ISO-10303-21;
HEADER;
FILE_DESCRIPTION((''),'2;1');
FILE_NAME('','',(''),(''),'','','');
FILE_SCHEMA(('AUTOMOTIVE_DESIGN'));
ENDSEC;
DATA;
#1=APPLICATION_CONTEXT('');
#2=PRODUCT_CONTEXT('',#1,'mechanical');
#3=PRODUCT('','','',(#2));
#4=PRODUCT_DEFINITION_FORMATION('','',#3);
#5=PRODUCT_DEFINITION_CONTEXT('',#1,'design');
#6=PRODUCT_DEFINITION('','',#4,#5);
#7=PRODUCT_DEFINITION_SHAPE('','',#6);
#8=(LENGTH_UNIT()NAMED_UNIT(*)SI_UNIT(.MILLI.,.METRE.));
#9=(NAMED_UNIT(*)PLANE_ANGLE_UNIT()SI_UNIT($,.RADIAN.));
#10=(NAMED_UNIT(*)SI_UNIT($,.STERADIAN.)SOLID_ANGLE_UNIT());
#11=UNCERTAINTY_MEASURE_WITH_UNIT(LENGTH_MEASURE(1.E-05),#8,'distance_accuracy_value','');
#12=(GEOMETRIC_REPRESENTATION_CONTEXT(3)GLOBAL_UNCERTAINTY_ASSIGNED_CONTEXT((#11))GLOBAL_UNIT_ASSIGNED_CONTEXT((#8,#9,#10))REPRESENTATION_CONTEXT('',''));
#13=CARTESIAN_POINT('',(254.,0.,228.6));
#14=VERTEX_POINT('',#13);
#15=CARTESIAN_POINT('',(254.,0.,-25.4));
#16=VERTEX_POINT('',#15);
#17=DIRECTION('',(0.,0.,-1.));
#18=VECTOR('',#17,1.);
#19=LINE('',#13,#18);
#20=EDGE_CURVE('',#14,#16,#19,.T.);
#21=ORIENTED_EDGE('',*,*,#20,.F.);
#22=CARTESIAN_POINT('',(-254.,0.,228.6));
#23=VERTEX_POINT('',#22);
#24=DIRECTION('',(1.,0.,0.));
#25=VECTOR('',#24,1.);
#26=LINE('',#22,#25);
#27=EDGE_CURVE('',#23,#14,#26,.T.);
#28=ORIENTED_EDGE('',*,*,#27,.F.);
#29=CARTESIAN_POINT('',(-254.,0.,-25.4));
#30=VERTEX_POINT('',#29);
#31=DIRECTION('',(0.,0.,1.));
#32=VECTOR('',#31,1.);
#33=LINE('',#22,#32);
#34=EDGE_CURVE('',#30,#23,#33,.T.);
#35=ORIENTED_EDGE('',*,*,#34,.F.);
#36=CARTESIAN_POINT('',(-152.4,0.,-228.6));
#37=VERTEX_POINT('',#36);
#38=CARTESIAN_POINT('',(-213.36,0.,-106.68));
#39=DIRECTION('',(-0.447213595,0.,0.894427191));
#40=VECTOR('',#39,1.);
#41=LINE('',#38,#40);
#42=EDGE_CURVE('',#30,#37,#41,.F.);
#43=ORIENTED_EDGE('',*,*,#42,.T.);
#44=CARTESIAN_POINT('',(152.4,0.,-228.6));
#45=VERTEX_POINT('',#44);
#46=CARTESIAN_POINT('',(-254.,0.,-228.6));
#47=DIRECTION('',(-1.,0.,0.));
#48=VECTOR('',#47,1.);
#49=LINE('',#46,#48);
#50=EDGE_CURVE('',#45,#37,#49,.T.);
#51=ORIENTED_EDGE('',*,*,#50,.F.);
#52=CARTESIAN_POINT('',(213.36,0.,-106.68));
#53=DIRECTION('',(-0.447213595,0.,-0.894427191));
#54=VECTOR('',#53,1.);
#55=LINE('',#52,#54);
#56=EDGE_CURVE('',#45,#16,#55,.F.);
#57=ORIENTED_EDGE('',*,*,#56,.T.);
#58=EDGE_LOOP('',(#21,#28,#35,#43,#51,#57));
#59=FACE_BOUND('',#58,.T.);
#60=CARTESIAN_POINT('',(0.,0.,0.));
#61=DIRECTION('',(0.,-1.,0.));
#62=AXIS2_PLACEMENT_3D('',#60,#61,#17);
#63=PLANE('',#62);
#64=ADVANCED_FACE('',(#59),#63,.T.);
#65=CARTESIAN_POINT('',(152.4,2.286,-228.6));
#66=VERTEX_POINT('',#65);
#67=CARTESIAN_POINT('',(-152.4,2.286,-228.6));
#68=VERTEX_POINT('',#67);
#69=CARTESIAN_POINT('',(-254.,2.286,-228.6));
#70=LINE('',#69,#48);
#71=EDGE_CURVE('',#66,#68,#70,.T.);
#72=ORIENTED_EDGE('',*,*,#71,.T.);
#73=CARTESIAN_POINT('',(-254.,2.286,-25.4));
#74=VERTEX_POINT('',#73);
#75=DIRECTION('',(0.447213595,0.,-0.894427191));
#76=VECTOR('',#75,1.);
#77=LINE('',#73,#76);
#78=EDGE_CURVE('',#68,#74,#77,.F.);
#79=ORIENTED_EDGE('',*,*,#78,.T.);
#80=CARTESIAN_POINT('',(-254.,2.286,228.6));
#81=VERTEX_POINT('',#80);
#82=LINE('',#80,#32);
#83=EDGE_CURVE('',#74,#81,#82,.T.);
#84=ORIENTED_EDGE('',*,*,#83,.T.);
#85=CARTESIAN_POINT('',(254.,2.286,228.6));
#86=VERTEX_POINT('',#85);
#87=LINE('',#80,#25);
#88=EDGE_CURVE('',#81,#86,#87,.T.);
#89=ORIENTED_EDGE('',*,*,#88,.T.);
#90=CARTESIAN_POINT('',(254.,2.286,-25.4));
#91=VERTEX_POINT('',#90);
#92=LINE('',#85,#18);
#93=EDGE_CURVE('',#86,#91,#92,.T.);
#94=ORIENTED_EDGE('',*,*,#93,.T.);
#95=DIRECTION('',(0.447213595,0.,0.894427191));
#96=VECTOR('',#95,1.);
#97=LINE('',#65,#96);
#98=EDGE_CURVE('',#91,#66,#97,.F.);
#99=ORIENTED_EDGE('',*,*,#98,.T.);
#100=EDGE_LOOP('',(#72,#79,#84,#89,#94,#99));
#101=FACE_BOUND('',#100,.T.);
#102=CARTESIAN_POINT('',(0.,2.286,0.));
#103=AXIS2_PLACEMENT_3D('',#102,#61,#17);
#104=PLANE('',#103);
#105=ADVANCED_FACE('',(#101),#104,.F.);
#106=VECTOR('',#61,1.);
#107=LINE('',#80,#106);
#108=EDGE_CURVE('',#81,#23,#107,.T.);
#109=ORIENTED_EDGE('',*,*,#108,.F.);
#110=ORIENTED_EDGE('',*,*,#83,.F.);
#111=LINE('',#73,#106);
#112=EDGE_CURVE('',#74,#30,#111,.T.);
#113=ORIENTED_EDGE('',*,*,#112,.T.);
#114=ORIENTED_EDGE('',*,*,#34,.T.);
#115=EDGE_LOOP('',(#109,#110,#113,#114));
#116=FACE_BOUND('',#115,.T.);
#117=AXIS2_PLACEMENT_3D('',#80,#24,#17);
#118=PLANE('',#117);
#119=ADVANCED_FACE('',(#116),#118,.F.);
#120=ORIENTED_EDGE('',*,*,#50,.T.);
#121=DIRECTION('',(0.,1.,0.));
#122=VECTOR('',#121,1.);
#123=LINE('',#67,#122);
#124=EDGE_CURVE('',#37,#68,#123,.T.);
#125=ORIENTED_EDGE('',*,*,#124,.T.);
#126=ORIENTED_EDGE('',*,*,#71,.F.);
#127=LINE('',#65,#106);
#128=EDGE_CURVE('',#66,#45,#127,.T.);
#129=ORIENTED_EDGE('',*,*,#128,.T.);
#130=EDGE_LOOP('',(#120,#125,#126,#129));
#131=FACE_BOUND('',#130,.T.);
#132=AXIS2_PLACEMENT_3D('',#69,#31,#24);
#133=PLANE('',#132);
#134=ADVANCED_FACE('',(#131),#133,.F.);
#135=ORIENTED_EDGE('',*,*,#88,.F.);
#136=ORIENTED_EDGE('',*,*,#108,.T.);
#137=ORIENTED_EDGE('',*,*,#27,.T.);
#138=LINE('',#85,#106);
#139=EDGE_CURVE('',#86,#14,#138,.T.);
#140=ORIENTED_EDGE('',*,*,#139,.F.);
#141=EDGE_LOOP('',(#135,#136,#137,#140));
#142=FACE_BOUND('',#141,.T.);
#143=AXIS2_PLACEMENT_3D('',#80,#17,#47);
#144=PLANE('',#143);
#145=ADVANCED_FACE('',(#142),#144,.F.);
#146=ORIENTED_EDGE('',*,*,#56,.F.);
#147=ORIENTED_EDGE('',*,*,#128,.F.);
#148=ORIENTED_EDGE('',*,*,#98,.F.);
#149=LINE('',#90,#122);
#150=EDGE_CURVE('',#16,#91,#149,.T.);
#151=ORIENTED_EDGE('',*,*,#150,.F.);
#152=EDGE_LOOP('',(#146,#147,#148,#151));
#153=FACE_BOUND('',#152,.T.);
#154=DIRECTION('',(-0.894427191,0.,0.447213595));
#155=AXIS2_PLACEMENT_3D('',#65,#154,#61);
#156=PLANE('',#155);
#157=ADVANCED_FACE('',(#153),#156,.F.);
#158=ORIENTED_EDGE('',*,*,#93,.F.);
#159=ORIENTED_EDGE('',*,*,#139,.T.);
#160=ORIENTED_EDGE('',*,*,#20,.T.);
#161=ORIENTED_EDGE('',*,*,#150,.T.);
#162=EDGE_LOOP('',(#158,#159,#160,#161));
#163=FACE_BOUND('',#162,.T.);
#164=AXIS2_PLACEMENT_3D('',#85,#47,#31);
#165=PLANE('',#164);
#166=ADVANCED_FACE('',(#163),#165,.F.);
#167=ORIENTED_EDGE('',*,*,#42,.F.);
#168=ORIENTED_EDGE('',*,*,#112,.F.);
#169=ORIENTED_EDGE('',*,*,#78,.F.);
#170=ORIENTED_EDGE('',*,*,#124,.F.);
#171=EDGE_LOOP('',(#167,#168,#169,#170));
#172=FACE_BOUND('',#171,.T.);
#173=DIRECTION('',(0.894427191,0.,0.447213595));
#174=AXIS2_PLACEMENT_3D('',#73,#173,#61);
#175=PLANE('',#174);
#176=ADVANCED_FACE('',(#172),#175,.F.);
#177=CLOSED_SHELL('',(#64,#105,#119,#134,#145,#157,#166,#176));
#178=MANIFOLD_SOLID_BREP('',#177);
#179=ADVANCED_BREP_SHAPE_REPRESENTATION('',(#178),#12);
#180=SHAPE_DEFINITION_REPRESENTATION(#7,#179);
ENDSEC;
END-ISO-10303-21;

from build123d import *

# Parameters (mm, degrees)
SKETCH2_W           = 508
SKETCH2_H           = 457.2
BOSS_EXTRUDE1_DEPTH = 2.286
CHAMFER1_SIZE       = 203.2
CHAMFER1_SIZE2      = 101.6
CHAMFER2_SIZE       = 101.6
CHAMFER2_SIZE2      = 203.2


with BuildPart() as part:
    # Sketch2 → Boss-Extrude1 (new body)
    with BuildSketch(Plane(origin=(0, 0, 0), x_dir=(1, 0, 0), z_dir=(0, 1, 0))):
        Rectangle(SKETCH2_W, SKETCH2_H)
    extrude(amount=BOSS_EXTRUDE1_DEPTH)

    # Chamfer1
    chamfer1_edges = [part.edges().sort_by_distance(p)[0] for p in [
        (254, 1.143, -228.6),
    ]]
    chamfer1_side = [part.faces().sort_by_distance(p)[0] for p in [
        (254, 1.143, 0),
    ]]
    chamfer(chamfer1_edges, length=CHAMFER1_SIZE, length2=CHAMFER1_SIZE2, reference=chamfer1_side[0])

    # Chamfer2
    chamfer2_edges = [part.edges().sort_by_distance(p)[0] for p in [
        (-254, 1.143, -228.6),
    ]]
    chamfer2_side = [part.faces().sort_by_distance(p)[0] for p in [
        (-50.8, 1.143, -228.6),
    ]]
    chamfer(chamfer2_edges, length=CHAMFER2_SIZE, length2=CHAMFER2_SIZE2, reference=chamfer2_side[0])


solid = part.part
